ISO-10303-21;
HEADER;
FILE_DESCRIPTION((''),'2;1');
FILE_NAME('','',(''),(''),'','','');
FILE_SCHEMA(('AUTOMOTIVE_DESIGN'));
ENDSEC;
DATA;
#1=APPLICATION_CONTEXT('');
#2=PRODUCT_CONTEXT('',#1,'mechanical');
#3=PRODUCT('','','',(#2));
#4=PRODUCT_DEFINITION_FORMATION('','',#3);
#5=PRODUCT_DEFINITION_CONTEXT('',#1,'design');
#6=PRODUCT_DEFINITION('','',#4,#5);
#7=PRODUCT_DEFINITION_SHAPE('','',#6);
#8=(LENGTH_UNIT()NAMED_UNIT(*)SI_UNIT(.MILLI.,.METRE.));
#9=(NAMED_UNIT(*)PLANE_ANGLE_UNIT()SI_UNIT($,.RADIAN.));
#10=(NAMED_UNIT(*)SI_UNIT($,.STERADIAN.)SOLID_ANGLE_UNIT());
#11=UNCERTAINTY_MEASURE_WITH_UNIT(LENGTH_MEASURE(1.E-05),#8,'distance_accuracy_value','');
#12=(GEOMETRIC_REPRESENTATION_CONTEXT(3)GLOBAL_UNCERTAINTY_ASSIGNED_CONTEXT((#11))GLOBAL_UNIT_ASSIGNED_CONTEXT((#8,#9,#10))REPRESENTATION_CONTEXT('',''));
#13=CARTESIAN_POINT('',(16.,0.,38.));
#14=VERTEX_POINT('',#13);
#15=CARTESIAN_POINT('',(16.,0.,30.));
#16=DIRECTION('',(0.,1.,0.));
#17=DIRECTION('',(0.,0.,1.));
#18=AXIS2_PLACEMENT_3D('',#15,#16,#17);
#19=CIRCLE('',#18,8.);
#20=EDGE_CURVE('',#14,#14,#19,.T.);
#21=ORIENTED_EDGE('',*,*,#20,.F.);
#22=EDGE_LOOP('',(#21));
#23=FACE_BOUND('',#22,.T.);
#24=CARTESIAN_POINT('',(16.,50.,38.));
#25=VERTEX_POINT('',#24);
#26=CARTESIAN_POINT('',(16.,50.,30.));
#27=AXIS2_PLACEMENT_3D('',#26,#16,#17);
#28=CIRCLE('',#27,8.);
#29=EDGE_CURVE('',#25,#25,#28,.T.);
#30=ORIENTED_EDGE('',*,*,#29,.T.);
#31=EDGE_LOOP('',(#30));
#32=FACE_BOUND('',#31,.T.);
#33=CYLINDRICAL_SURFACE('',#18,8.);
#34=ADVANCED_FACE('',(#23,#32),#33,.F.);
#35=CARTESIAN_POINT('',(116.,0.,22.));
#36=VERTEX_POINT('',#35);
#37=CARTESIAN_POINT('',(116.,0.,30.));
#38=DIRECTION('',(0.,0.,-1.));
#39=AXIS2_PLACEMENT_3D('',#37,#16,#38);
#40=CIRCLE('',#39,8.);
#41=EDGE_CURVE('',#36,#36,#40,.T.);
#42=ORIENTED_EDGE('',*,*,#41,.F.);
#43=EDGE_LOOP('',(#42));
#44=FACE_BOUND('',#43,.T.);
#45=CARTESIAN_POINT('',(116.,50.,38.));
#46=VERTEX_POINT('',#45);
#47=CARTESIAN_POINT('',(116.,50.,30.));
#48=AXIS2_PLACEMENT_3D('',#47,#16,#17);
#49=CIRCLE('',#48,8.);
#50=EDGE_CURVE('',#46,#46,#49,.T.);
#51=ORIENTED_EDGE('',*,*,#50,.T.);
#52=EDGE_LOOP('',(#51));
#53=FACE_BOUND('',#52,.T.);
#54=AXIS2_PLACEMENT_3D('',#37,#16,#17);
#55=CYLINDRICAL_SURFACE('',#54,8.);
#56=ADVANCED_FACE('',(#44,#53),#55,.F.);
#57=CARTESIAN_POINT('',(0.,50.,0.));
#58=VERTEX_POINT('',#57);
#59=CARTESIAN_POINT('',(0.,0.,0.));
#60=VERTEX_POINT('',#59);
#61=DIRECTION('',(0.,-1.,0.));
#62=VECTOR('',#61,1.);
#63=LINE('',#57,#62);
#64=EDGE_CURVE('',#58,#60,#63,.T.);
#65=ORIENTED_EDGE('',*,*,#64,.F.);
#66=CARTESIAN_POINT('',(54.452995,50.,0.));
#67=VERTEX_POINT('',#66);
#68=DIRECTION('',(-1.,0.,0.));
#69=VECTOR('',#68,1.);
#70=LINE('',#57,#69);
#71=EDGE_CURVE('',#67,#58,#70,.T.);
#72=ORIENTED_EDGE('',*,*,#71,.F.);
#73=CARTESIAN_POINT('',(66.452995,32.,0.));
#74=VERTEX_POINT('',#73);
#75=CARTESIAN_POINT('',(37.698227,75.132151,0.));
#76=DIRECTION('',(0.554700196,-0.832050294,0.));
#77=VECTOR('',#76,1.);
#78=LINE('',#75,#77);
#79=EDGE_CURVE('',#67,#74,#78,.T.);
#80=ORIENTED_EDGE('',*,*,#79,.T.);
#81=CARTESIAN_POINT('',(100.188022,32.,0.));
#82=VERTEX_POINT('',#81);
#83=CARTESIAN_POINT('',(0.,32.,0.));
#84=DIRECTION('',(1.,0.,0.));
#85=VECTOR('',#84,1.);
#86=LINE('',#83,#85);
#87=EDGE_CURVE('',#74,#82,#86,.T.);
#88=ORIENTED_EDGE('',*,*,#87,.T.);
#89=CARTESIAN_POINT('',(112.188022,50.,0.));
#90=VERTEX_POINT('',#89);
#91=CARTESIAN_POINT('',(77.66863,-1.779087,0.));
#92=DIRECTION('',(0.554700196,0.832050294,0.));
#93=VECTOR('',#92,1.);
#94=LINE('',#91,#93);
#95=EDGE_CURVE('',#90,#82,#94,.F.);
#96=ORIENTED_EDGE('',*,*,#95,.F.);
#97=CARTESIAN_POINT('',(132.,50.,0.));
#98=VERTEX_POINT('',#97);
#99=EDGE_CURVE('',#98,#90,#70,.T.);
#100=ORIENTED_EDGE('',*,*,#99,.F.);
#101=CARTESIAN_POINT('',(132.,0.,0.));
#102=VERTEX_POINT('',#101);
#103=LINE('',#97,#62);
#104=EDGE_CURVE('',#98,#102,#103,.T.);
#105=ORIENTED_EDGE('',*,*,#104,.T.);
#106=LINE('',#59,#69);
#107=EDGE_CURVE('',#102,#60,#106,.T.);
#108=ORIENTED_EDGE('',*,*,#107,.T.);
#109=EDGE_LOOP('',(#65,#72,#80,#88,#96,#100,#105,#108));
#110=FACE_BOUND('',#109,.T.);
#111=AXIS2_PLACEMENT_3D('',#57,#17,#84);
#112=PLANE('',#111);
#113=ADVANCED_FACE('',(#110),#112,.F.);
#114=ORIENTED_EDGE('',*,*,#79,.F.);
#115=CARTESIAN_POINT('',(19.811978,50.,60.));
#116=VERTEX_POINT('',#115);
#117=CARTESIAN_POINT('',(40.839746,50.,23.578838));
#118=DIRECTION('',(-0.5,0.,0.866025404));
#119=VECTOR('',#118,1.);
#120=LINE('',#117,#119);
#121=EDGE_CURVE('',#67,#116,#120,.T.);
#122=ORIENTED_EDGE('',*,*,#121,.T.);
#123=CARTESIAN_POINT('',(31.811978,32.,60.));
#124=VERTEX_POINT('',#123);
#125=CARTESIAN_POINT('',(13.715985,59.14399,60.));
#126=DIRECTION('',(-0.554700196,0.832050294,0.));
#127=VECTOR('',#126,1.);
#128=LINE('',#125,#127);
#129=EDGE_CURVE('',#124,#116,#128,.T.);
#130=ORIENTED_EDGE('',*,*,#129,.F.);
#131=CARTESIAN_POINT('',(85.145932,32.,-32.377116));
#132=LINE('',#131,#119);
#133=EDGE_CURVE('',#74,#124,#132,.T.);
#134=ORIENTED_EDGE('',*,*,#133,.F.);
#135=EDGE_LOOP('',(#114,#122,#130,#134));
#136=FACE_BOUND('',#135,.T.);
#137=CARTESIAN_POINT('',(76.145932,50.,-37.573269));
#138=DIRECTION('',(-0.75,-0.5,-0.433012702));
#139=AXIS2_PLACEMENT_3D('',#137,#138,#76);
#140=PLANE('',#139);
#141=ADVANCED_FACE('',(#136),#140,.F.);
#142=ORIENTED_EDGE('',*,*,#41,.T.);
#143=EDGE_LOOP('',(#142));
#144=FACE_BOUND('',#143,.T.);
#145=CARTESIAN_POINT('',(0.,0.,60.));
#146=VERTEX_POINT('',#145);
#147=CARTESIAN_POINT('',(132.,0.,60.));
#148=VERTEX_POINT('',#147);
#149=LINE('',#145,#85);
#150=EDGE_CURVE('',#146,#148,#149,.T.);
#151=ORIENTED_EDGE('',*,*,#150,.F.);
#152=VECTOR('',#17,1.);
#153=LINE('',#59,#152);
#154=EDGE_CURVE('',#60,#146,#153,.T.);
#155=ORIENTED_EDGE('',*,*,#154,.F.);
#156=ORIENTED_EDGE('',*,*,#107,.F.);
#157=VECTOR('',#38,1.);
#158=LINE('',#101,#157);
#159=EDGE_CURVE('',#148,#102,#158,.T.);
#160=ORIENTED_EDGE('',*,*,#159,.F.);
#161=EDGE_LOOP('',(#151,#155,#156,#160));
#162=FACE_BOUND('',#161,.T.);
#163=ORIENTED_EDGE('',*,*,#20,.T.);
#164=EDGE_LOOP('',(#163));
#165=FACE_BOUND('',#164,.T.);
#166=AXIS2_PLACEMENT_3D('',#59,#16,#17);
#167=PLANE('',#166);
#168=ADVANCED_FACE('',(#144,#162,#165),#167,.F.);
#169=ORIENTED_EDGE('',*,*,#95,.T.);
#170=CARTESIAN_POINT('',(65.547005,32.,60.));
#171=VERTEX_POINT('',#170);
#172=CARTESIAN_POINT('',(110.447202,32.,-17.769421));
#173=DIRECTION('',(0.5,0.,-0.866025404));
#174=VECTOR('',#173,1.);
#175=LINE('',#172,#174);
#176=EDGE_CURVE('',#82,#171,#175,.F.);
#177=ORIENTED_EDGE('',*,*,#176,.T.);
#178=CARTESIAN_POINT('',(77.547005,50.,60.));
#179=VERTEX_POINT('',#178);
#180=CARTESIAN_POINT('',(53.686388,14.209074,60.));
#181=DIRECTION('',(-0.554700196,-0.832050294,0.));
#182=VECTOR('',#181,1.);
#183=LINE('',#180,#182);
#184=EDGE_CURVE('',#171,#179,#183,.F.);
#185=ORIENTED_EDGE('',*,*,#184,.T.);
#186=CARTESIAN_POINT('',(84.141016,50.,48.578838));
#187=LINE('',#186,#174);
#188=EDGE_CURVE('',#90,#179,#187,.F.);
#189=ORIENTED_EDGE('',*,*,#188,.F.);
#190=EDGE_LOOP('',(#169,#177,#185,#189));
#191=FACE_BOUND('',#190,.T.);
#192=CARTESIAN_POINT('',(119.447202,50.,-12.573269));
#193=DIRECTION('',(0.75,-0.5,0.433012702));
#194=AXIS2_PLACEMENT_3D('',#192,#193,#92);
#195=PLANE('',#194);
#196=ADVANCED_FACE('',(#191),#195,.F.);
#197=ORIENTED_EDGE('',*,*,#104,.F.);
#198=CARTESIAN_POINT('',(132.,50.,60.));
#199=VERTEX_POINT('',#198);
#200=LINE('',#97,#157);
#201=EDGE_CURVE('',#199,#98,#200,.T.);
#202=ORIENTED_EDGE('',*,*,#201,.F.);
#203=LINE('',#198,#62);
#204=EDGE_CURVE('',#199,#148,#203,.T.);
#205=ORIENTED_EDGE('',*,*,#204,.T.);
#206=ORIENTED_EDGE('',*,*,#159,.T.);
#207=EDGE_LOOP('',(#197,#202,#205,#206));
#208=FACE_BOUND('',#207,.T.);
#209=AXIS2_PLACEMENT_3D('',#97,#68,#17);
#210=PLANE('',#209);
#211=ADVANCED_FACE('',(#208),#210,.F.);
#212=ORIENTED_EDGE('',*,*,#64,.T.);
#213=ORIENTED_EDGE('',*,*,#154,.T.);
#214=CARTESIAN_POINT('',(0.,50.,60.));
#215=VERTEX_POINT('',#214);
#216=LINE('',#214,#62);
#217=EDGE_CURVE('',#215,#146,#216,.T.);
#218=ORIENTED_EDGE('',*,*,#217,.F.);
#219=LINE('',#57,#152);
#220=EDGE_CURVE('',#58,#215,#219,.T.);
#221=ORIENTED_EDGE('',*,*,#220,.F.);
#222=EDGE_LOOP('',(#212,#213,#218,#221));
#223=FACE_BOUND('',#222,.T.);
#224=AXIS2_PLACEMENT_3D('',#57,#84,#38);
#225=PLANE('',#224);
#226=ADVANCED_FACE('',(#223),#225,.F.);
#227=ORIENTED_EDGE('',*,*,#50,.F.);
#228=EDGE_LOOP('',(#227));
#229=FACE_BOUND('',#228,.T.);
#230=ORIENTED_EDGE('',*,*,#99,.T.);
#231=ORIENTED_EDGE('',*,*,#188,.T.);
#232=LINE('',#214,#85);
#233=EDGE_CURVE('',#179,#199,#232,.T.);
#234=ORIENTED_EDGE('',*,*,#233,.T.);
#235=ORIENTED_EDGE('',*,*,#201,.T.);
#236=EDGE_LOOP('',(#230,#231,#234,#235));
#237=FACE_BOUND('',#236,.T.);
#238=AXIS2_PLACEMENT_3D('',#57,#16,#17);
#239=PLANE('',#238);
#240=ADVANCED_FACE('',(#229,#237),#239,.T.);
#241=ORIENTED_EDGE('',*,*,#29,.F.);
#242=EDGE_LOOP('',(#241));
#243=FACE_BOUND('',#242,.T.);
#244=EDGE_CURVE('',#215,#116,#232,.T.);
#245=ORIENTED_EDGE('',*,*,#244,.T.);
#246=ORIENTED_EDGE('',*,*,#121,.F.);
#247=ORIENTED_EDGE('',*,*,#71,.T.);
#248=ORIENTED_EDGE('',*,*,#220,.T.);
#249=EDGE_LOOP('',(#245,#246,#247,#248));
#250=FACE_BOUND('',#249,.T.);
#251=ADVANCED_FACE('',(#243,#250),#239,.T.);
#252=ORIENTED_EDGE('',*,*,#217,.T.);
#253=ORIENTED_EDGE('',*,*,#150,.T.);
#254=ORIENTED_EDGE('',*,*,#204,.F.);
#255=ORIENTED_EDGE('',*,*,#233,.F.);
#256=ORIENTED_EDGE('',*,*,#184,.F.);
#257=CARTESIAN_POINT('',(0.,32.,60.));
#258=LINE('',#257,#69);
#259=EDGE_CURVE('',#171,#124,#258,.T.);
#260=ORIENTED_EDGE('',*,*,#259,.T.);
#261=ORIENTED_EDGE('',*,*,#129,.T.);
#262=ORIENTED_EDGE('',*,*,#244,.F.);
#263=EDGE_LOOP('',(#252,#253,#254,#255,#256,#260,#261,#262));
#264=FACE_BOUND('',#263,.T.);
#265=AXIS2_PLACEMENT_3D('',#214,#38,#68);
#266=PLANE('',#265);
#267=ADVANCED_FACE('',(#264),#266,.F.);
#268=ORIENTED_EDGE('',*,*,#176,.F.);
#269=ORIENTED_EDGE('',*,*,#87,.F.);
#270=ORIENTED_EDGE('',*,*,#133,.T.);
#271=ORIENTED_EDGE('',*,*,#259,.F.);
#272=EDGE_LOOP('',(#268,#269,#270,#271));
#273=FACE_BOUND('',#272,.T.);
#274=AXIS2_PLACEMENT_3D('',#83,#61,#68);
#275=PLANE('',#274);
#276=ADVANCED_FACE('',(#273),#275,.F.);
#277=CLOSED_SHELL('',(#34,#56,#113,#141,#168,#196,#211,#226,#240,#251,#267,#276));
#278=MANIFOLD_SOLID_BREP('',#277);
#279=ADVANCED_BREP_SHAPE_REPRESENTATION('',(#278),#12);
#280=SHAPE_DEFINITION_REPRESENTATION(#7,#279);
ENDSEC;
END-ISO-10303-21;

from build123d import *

# Parameters (mm, degrees)
SKETCH_1_W               = 132
SKETCH_1_H               = 60
EXTRUDE_1_DEPTH          = 50
CUT_EXTRUDE_1_DEPTH      = 154.37535656
CUT_EXTRUDE_1_DEPTH_BACK = 154.37535656
SKETCH_2_R               = 8
CUT_EXTRUDE_1_2_DEPTH    = 18
CUT_EXTRUDE_1_2_DRAFT    = -30


with BuildPart() as part:
    # 草图1 → 凸台-拉伸1 (new body)
    with BuildSketch(Plane(origin=(0, 0, 0), x_dir=(1, 0, 0), z_dir=(0, 1, 0))):
        with Locations((66, -30)):
            Rectangle(SKETCH_1_W, SKETCH_1_H)
    extrude(amount=EXTRUDE_1_DEPTH)

    # 草图2 → Cut-Extrude 1 (cut, two sides: drawn at the far end of the back side and taken through both)
    with BuildSketch(Plane(origin=(0, 50, 0), x_dir=(1, 0, 0), z_dir=(0, 1, 0)).offset(-CUT_EXTRUDE_1_DEPTH_BACK)):
        with Locations(Location((16, -30, 0), (0, 0, 270))):
            Circle(SKETCH_2_R)
        with Locations(Location((116, -30, 0), (0, 0, 270))):
            Circle(SKETCH_2_R)
    extrude(amount=CUT_EXTRUDE_1_DEPTH + CUT_EXTRUDE_1_DEPTH_BACK, mode=Mode.SUBTRACT)


with BuildPart() as cut_extrude_1_2_tool:
    # 草图4 → Cut-Extrude 1 2 (with draft: the straight prism first)
    with BuildSketch(Plane(origin=(0, 50, 0), x_dir=(1, 0, 0), z_dir=(0, 1, 0))):
        Polygon((76.145931536, 37.57326891), (9.744604929, -77.437202462), (53.045875119, -102.437202462), (119.447201725, 12.57326891), align=None)
    extrude(amount=-CUT_EXTRUDE_1_2_DEPTH)
    # Cut-Extrude 1 2: the draft: its side faces are tilted about the plane it starts from
    cut_extrude_1_2_sides = [cut_extrude_1_2_tool.faces().sort_by_distance(p)[0] for p in [
        (42.945268233, 41, 19.931966776),
        (31.395240024, 41, 89.937202462),
        (86.246538422, 41, 44.931966776),
        (97.79656663, 41, -25.07326891),
    ]]
    draft(cut_extrude_1_2_sides, Plane(origin=(0, 50, 0), x_dir=(1, 0, 0), z_dir=(0, 1, 0)), CUT_EXTRUDE_1_2_DRAFT)


with BuildPart() as part_1:
    add(part.part)

    # Cut-Extrude 1 2: cut by cut_extrude_1_2_tool
    add(cut_extrude_1_2_tool.part, mode=Mode.SUBTRACT)


solid = part_1.part
